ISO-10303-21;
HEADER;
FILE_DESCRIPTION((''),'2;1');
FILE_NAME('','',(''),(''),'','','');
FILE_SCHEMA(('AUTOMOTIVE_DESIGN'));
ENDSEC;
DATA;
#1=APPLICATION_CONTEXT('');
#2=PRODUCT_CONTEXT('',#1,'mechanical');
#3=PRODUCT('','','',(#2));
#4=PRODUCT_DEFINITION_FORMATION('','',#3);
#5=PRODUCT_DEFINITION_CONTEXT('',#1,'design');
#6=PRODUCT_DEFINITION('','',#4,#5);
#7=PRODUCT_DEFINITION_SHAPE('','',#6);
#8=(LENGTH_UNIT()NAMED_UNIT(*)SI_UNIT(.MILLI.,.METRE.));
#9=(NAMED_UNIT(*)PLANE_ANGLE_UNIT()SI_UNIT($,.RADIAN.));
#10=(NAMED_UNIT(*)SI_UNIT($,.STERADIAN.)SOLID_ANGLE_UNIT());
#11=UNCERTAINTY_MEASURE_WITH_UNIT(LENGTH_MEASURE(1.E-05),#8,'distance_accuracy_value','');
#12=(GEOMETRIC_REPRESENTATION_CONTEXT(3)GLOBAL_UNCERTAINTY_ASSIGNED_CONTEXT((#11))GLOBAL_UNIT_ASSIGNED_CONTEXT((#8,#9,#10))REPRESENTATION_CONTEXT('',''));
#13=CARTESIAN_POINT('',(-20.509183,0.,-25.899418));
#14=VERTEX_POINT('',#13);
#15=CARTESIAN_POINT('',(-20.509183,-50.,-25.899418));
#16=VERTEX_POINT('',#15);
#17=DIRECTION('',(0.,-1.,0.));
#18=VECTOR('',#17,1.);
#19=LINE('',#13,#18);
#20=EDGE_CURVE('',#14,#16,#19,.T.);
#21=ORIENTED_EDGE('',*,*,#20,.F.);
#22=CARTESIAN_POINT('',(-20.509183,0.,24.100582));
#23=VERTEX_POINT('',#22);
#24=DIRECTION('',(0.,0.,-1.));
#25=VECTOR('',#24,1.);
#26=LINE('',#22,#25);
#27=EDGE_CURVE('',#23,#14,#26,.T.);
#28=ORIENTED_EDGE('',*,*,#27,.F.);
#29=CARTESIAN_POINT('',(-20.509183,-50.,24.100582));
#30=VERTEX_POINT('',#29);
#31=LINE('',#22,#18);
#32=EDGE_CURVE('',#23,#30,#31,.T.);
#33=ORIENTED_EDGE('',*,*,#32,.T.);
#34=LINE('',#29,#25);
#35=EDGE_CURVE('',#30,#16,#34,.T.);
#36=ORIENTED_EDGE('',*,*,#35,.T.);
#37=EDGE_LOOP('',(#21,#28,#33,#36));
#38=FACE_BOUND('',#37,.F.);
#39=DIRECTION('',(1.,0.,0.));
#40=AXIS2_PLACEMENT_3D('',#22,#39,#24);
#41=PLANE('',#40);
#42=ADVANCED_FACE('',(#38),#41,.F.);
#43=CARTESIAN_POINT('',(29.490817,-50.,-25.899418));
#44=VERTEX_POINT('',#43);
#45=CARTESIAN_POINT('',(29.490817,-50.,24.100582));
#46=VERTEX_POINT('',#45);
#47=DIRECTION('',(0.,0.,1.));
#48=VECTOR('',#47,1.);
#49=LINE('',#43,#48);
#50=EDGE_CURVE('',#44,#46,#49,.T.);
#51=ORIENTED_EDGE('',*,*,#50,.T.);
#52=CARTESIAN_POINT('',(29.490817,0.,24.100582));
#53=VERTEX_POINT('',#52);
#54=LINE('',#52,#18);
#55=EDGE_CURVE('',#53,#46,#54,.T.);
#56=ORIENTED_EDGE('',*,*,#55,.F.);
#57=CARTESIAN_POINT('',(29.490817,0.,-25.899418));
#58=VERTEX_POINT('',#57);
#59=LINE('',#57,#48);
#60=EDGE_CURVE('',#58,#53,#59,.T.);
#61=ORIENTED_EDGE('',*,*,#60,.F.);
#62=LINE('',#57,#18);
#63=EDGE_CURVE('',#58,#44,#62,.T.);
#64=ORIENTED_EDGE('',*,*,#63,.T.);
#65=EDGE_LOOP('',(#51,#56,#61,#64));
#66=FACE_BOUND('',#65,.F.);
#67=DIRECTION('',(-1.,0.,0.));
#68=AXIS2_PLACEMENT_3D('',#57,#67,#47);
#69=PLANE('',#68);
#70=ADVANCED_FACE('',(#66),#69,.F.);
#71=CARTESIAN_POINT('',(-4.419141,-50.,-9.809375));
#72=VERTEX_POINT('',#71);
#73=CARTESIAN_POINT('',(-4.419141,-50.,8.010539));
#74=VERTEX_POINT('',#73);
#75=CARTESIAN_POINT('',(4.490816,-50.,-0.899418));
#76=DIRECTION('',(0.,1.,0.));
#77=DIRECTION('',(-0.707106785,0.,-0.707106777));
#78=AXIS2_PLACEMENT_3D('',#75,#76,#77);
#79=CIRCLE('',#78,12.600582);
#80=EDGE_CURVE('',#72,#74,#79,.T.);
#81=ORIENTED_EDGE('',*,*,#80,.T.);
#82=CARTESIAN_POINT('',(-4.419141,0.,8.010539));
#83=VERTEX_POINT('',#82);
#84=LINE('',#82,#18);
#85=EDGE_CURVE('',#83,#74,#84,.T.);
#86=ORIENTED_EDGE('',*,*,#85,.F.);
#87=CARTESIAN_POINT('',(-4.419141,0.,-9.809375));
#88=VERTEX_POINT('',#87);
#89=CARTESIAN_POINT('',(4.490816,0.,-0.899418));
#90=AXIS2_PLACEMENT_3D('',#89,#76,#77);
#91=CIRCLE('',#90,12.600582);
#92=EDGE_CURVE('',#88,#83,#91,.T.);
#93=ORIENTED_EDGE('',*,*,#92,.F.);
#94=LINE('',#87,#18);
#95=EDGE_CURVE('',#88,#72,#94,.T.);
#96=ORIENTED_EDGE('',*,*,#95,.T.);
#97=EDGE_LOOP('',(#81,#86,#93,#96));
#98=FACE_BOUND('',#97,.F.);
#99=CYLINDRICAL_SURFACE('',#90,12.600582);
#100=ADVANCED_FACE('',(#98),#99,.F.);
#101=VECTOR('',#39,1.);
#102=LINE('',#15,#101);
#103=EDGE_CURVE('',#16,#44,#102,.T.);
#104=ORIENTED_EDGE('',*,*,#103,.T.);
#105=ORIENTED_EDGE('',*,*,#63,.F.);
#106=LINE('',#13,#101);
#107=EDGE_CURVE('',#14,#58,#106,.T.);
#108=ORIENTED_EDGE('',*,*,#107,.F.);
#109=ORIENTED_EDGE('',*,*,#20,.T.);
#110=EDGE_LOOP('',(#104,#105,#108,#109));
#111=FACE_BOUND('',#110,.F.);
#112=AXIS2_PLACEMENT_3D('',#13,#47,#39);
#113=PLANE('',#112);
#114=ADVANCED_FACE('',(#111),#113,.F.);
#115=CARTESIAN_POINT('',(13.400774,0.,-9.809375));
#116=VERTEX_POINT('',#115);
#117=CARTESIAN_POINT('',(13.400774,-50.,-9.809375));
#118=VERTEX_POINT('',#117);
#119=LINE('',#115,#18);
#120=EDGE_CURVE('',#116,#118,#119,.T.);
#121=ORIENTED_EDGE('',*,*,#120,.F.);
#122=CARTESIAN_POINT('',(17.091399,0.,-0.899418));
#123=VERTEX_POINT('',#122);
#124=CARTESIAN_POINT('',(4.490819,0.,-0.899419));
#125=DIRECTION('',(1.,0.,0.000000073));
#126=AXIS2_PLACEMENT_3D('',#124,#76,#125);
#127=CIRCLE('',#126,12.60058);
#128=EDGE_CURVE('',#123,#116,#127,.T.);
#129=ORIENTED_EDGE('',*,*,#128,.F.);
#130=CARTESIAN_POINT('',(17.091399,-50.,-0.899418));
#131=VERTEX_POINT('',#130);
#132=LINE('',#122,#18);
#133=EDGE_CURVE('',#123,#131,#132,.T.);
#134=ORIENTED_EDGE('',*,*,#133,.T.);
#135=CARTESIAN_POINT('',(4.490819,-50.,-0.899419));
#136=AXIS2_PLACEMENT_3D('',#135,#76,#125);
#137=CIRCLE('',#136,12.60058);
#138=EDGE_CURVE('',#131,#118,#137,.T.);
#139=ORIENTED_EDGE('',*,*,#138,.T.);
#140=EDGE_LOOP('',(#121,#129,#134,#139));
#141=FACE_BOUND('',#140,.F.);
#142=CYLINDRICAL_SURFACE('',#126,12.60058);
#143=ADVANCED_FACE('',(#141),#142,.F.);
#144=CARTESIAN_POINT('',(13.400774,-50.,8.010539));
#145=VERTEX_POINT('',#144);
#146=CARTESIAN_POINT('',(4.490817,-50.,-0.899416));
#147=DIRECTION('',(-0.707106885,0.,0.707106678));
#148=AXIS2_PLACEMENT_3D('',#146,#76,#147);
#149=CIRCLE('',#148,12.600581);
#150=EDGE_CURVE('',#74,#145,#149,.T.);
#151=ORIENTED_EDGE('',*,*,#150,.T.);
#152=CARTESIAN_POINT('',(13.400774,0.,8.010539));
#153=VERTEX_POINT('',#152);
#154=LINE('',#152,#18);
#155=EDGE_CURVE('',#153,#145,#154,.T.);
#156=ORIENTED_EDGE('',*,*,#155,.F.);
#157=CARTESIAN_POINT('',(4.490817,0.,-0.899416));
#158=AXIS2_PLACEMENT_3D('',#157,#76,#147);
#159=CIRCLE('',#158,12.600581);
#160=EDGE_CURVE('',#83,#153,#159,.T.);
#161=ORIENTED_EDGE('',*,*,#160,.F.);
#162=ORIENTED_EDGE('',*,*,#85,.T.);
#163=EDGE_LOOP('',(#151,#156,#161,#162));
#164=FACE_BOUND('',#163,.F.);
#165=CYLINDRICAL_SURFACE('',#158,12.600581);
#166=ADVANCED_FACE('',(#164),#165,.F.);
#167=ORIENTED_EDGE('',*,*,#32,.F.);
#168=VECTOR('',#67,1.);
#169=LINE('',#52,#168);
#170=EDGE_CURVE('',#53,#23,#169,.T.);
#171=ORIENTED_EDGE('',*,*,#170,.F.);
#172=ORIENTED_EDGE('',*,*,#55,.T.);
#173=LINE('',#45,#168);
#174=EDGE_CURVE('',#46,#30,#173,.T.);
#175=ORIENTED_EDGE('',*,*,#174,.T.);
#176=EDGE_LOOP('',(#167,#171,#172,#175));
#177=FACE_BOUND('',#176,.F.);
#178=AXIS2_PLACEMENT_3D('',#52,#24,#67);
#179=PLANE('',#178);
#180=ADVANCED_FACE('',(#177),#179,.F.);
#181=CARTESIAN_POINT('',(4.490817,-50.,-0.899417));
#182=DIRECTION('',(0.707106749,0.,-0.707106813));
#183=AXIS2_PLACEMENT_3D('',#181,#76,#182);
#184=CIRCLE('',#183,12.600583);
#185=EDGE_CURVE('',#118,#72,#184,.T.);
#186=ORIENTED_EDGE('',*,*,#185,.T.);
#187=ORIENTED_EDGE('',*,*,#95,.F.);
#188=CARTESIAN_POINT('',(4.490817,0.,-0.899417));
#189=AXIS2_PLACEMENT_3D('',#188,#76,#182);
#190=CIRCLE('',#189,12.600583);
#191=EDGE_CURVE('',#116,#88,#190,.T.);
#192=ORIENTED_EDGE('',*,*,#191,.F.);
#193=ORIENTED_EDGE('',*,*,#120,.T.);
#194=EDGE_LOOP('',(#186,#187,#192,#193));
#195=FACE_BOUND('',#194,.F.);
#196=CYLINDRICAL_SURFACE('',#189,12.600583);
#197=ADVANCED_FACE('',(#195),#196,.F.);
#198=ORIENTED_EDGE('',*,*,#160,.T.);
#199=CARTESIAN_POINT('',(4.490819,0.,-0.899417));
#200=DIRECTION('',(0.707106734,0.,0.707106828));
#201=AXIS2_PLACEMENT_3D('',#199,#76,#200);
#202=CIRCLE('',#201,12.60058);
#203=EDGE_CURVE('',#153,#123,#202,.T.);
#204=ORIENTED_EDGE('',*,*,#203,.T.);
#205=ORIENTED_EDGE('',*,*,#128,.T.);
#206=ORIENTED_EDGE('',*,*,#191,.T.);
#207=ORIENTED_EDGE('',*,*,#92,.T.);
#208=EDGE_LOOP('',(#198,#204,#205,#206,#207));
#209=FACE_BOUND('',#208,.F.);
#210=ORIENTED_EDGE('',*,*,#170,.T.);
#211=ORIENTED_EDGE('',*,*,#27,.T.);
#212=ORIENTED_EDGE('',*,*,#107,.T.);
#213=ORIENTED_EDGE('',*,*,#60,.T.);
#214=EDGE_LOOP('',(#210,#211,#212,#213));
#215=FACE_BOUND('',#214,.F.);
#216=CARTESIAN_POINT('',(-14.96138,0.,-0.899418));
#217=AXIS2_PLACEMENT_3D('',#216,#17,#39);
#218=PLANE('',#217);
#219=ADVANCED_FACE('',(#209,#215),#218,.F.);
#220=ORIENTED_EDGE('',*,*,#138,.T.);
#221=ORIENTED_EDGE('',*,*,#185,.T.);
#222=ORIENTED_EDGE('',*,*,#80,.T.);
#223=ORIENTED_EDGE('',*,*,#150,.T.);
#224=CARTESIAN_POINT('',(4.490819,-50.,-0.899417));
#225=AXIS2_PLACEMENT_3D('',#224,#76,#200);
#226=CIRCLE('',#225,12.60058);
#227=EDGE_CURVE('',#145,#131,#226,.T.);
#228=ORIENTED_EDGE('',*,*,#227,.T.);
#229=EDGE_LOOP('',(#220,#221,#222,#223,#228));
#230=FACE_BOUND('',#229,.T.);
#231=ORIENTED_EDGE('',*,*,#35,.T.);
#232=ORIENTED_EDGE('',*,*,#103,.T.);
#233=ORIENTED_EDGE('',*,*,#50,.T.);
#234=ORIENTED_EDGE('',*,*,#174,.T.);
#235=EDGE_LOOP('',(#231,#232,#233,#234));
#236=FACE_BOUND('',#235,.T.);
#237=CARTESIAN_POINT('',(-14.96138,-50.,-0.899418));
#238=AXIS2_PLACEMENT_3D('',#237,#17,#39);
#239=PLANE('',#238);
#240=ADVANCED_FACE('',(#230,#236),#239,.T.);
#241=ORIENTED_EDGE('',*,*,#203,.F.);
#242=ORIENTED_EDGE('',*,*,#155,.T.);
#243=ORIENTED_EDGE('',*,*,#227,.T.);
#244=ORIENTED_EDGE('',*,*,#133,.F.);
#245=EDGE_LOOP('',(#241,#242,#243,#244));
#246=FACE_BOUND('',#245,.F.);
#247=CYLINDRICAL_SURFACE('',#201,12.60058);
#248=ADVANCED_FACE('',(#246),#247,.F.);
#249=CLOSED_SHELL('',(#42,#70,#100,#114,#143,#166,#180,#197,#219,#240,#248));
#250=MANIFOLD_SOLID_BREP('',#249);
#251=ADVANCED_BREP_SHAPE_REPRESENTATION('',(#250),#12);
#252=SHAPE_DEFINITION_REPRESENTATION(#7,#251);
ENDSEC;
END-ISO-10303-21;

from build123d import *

# Parameters (mm, degrees)
F1_DEPTH = 50


with BuildPart() as f1:
    # F0 (on Front) → F1 (new body)
    with BuildSketch(Plane.XZ):
        with BuildLine():
            Line((-4.419141, 8.010539), (-20.509183, 24.100582))
            Line((-20.509183, 24.100582), (-20.509183, -25.899418))
            Line((-20.509183, -25.899418), (-4.419141, -9.809375))
            ThreePointArc((-4.419141, -9.809375), (-8.109766, -0.899418), (-4.419141, 8.010539))
        make_face()
        with BuildLine():
            Line((29.490817, 24.100582), (-20.509183, 24.100582))
            Line((-20.509183, 24.100582), (-4.419141, 8.010539))
            ThreePointArc((-4.419141, 8.010539), (4.490817, 11.701165), (13.400774, 8.010539))
            Line((13.400774, 8.010539), (29.490817, 24.100582))
        make_face()
        with BuildLine():
            Line((-4.419141, -9.809375), (-20.509183, -25.899418))
            Line((-20.509183, -25.899418), (29.490817, -25.899418))
            Line((29.490817, -25.899418), (13.400774, -9.809375))
            ThreePointArc((13.400774, -9.809375), (4.490817, -13.5), (-4.419141, -9.809375))
        make_face()
        with BuildLine():
            Line((29.490817, -25.899418), (29.490817, 24.100582))
            Line((29.490817, 24.100582), (13.400774, 8.010539))
            ThreePointArc((13.400774, 8.010539), (16.132237, 3.922616), (17.091399, -0.899418))
            ThreePointArc((17.091399, -0.899418), (16.132237, -5.721452), (13.400774, -9.809375))
            Line((13.400774, -9.809375), (29.490817, -25.899418))
        make_face()
    extrude(amount=F1_DEPTH)


solid = f1.part
